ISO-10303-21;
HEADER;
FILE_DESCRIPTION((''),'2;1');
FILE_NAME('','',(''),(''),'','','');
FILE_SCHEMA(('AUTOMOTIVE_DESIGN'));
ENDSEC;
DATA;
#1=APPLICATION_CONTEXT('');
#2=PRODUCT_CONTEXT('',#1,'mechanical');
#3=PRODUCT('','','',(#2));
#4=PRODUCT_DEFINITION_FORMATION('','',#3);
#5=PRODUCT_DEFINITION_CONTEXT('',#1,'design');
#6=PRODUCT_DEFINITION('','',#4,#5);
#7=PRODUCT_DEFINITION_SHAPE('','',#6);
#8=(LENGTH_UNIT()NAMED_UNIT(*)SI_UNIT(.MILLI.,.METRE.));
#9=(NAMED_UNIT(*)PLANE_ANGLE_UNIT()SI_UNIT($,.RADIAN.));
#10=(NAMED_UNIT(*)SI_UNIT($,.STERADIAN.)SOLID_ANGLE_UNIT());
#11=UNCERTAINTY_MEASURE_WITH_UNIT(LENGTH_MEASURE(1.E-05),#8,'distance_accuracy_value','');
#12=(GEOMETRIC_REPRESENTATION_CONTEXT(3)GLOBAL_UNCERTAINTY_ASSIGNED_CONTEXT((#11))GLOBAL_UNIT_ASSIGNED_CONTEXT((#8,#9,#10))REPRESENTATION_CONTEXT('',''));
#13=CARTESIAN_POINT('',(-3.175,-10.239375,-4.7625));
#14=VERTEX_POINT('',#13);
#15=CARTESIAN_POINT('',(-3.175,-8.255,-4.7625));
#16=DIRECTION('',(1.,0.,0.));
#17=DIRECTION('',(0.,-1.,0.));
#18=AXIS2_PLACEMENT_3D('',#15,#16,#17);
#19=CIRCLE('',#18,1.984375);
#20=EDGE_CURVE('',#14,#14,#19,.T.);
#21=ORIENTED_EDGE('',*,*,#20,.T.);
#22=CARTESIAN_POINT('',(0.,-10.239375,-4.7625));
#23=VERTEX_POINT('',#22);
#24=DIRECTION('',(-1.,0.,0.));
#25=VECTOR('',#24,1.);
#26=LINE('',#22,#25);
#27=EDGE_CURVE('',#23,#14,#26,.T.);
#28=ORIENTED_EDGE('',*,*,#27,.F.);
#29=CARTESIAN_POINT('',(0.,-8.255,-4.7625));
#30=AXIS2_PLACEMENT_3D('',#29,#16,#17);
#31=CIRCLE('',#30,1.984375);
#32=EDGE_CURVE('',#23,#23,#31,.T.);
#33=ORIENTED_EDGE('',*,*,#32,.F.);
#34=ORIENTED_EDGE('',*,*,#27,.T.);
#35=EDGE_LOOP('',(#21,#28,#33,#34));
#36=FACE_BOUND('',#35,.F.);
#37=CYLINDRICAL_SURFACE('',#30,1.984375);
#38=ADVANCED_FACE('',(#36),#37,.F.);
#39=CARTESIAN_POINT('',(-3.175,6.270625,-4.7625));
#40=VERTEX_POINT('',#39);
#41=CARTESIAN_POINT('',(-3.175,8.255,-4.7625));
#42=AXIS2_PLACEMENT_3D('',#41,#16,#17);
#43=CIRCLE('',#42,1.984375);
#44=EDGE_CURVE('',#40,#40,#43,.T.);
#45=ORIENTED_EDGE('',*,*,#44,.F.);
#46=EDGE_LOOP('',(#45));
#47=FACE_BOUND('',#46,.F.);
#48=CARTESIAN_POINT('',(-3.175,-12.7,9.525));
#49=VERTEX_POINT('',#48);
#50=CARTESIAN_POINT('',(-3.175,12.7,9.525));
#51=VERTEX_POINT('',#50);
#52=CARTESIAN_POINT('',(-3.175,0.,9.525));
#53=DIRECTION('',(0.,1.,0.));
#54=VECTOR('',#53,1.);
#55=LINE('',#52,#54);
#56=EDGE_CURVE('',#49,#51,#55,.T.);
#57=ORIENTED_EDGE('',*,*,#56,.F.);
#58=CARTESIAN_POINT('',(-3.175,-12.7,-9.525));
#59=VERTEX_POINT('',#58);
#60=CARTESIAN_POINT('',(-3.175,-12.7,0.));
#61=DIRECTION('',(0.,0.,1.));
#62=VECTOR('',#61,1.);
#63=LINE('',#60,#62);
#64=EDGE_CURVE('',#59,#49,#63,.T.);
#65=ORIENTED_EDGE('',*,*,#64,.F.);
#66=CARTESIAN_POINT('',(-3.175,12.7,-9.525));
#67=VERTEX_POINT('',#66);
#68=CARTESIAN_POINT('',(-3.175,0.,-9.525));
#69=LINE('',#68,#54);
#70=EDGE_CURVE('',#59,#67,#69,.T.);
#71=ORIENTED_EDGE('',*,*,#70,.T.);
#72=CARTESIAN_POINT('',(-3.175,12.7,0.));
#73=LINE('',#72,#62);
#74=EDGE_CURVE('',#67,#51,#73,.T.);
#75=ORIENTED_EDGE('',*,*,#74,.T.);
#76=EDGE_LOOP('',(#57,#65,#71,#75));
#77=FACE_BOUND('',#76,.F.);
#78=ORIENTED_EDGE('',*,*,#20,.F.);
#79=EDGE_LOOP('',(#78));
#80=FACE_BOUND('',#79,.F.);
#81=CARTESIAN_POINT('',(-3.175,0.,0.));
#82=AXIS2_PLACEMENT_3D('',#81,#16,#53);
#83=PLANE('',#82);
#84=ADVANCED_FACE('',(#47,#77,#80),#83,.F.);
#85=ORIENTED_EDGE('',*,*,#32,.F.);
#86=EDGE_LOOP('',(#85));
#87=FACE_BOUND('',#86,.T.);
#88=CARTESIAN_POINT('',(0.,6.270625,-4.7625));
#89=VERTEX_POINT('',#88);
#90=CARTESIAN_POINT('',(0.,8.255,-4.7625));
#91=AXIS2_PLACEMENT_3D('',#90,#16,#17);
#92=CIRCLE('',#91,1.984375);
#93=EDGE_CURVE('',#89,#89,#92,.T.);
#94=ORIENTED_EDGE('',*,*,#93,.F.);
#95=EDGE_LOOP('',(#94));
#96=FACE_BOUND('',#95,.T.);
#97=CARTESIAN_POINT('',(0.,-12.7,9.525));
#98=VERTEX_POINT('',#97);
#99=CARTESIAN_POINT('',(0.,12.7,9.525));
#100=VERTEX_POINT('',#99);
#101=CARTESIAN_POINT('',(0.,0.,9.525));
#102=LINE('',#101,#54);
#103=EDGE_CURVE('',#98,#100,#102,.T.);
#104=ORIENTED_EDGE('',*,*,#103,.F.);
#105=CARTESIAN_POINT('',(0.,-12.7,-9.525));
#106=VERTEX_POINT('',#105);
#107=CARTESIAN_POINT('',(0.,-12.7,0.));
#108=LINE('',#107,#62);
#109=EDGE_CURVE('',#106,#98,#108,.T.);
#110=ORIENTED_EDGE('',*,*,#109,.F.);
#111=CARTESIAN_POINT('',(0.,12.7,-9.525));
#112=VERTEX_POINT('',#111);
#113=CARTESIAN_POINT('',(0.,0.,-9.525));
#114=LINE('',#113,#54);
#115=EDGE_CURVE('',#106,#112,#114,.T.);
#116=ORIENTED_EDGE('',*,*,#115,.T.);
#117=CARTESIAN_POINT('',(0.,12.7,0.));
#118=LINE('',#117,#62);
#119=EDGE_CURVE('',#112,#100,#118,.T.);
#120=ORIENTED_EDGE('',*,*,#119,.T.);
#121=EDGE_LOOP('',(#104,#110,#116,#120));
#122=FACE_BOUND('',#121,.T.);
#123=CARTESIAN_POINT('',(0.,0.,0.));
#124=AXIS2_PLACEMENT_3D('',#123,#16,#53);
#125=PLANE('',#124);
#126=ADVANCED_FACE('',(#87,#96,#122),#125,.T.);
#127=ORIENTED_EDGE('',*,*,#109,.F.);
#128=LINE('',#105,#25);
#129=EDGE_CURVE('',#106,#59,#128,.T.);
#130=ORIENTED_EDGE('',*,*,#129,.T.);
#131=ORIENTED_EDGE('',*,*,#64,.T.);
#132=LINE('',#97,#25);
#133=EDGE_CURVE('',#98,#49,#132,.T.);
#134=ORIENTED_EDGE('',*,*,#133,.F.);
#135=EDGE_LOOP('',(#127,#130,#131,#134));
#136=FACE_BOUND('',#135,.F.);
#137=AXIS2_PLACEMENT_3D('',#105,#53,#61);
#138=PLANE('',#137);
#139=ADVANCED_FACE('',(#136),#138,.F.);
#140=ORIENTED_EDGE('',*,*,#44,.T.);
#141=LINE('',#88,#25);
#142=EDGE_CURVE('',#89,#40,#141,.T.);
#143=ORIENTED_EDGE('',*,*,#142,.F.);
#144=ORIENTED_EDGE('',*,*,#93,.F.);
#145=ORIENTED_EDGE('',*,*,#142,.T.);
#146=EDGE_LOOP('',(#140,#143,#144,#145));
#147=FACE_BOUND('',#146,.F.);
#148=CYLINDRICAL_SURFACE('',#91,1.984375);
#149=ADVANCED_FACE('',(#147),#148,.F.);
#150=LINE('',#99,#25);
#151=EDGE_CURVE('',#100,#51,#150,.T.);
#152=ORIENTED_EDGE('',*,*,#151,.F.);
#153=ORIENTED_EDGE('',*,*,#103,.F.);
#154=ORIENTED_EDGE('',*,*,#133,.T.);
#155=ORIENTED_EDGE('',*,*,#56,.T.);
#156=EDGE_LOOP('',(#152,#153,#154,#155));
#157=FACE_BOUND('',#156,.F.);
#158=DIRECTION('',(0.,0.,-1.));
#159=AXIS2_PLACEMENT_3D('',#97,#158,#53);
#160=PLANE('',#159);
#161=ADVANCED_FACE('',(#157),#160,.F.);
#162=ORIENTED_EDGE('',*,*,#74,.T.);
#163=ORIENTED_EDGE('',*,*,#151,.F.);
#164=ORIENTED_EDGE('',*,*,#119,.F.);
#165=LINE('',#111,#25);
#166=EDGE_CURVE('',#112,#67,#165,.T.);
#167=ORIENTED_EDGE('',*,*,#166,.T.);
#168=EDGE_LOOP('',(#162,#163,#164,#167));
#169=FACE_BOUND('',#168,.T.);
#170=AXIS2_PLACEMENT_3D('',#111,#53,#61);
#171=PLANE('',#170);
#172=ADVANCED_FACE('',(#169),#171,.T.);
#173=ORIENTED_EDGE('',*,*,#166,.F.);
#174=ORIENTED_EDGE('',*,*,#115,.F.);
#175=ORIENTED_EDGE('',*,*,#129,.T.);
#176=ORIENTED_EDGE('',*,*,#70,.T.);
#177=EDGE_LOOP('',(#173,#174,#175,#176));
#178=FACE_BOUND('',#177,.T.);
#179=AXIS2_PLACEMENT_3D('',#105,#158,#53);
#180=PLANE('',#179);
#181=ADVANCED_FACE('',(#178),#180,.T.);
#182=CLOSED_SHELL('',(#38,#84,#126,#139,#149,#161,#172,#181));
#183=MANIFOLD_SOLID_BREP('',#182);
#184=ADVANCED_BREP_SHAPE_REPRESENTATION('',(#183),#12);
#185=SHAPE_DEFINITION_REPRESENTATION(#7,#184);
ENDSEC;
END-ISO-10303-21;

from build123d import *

# Parameters (mm, degrees)
F0_W     = 25.4
F0_H     = 19.05
F1_DEPTH = 3.175
F3_DEPTH = 3.176


with BuildPart() as f1:
    # F0 (on Right) → F1 (new body)
    with BuildSketch(Plane.YZ):
        Rectangle(F0_W, F0_H)
    extrude(amount=-F1_DEPTH)

    # F2 (on face) → F3 (cut, through all)
    with BuildSketch(Plane.YZ):
        with BuildLine():
            ThreePointArc((-6.270625, -4.7625), (-8.255, -2.778125), (-10.239375, -4.7625))
            Line((-10.239375, -4.7625), (-6.270625, -4.7625))
        make_face()
        with BuildLine():
            ThreePointArc((10.239375, -4.7625), (8.255, -2.778125), (6.270625, -4.7625))
            Line((6.270625, -4.7625), (10.239375, -4.7625))
        make_face()
        with BuildLine():
            Line((10.239375, -4.7625), (6.270625, -4.7625))
            ThreePointArc((6.270625, -4.7625), (8.255, -6.746875), (10.239375, -4.7625))
        make_face()
        with BuildLine():
            Line((-6.270625, -4.7625), (-10.239375, -4.7625))
            ThreePointArc((-10.239375, -4.7625), (-8.255, -6.746875), (-6.270625, -4.7625))
        make_face()
    extrude(amount=-F3_DEPTH, mode=Mode.SUBTRACT)


solid = f1.part
